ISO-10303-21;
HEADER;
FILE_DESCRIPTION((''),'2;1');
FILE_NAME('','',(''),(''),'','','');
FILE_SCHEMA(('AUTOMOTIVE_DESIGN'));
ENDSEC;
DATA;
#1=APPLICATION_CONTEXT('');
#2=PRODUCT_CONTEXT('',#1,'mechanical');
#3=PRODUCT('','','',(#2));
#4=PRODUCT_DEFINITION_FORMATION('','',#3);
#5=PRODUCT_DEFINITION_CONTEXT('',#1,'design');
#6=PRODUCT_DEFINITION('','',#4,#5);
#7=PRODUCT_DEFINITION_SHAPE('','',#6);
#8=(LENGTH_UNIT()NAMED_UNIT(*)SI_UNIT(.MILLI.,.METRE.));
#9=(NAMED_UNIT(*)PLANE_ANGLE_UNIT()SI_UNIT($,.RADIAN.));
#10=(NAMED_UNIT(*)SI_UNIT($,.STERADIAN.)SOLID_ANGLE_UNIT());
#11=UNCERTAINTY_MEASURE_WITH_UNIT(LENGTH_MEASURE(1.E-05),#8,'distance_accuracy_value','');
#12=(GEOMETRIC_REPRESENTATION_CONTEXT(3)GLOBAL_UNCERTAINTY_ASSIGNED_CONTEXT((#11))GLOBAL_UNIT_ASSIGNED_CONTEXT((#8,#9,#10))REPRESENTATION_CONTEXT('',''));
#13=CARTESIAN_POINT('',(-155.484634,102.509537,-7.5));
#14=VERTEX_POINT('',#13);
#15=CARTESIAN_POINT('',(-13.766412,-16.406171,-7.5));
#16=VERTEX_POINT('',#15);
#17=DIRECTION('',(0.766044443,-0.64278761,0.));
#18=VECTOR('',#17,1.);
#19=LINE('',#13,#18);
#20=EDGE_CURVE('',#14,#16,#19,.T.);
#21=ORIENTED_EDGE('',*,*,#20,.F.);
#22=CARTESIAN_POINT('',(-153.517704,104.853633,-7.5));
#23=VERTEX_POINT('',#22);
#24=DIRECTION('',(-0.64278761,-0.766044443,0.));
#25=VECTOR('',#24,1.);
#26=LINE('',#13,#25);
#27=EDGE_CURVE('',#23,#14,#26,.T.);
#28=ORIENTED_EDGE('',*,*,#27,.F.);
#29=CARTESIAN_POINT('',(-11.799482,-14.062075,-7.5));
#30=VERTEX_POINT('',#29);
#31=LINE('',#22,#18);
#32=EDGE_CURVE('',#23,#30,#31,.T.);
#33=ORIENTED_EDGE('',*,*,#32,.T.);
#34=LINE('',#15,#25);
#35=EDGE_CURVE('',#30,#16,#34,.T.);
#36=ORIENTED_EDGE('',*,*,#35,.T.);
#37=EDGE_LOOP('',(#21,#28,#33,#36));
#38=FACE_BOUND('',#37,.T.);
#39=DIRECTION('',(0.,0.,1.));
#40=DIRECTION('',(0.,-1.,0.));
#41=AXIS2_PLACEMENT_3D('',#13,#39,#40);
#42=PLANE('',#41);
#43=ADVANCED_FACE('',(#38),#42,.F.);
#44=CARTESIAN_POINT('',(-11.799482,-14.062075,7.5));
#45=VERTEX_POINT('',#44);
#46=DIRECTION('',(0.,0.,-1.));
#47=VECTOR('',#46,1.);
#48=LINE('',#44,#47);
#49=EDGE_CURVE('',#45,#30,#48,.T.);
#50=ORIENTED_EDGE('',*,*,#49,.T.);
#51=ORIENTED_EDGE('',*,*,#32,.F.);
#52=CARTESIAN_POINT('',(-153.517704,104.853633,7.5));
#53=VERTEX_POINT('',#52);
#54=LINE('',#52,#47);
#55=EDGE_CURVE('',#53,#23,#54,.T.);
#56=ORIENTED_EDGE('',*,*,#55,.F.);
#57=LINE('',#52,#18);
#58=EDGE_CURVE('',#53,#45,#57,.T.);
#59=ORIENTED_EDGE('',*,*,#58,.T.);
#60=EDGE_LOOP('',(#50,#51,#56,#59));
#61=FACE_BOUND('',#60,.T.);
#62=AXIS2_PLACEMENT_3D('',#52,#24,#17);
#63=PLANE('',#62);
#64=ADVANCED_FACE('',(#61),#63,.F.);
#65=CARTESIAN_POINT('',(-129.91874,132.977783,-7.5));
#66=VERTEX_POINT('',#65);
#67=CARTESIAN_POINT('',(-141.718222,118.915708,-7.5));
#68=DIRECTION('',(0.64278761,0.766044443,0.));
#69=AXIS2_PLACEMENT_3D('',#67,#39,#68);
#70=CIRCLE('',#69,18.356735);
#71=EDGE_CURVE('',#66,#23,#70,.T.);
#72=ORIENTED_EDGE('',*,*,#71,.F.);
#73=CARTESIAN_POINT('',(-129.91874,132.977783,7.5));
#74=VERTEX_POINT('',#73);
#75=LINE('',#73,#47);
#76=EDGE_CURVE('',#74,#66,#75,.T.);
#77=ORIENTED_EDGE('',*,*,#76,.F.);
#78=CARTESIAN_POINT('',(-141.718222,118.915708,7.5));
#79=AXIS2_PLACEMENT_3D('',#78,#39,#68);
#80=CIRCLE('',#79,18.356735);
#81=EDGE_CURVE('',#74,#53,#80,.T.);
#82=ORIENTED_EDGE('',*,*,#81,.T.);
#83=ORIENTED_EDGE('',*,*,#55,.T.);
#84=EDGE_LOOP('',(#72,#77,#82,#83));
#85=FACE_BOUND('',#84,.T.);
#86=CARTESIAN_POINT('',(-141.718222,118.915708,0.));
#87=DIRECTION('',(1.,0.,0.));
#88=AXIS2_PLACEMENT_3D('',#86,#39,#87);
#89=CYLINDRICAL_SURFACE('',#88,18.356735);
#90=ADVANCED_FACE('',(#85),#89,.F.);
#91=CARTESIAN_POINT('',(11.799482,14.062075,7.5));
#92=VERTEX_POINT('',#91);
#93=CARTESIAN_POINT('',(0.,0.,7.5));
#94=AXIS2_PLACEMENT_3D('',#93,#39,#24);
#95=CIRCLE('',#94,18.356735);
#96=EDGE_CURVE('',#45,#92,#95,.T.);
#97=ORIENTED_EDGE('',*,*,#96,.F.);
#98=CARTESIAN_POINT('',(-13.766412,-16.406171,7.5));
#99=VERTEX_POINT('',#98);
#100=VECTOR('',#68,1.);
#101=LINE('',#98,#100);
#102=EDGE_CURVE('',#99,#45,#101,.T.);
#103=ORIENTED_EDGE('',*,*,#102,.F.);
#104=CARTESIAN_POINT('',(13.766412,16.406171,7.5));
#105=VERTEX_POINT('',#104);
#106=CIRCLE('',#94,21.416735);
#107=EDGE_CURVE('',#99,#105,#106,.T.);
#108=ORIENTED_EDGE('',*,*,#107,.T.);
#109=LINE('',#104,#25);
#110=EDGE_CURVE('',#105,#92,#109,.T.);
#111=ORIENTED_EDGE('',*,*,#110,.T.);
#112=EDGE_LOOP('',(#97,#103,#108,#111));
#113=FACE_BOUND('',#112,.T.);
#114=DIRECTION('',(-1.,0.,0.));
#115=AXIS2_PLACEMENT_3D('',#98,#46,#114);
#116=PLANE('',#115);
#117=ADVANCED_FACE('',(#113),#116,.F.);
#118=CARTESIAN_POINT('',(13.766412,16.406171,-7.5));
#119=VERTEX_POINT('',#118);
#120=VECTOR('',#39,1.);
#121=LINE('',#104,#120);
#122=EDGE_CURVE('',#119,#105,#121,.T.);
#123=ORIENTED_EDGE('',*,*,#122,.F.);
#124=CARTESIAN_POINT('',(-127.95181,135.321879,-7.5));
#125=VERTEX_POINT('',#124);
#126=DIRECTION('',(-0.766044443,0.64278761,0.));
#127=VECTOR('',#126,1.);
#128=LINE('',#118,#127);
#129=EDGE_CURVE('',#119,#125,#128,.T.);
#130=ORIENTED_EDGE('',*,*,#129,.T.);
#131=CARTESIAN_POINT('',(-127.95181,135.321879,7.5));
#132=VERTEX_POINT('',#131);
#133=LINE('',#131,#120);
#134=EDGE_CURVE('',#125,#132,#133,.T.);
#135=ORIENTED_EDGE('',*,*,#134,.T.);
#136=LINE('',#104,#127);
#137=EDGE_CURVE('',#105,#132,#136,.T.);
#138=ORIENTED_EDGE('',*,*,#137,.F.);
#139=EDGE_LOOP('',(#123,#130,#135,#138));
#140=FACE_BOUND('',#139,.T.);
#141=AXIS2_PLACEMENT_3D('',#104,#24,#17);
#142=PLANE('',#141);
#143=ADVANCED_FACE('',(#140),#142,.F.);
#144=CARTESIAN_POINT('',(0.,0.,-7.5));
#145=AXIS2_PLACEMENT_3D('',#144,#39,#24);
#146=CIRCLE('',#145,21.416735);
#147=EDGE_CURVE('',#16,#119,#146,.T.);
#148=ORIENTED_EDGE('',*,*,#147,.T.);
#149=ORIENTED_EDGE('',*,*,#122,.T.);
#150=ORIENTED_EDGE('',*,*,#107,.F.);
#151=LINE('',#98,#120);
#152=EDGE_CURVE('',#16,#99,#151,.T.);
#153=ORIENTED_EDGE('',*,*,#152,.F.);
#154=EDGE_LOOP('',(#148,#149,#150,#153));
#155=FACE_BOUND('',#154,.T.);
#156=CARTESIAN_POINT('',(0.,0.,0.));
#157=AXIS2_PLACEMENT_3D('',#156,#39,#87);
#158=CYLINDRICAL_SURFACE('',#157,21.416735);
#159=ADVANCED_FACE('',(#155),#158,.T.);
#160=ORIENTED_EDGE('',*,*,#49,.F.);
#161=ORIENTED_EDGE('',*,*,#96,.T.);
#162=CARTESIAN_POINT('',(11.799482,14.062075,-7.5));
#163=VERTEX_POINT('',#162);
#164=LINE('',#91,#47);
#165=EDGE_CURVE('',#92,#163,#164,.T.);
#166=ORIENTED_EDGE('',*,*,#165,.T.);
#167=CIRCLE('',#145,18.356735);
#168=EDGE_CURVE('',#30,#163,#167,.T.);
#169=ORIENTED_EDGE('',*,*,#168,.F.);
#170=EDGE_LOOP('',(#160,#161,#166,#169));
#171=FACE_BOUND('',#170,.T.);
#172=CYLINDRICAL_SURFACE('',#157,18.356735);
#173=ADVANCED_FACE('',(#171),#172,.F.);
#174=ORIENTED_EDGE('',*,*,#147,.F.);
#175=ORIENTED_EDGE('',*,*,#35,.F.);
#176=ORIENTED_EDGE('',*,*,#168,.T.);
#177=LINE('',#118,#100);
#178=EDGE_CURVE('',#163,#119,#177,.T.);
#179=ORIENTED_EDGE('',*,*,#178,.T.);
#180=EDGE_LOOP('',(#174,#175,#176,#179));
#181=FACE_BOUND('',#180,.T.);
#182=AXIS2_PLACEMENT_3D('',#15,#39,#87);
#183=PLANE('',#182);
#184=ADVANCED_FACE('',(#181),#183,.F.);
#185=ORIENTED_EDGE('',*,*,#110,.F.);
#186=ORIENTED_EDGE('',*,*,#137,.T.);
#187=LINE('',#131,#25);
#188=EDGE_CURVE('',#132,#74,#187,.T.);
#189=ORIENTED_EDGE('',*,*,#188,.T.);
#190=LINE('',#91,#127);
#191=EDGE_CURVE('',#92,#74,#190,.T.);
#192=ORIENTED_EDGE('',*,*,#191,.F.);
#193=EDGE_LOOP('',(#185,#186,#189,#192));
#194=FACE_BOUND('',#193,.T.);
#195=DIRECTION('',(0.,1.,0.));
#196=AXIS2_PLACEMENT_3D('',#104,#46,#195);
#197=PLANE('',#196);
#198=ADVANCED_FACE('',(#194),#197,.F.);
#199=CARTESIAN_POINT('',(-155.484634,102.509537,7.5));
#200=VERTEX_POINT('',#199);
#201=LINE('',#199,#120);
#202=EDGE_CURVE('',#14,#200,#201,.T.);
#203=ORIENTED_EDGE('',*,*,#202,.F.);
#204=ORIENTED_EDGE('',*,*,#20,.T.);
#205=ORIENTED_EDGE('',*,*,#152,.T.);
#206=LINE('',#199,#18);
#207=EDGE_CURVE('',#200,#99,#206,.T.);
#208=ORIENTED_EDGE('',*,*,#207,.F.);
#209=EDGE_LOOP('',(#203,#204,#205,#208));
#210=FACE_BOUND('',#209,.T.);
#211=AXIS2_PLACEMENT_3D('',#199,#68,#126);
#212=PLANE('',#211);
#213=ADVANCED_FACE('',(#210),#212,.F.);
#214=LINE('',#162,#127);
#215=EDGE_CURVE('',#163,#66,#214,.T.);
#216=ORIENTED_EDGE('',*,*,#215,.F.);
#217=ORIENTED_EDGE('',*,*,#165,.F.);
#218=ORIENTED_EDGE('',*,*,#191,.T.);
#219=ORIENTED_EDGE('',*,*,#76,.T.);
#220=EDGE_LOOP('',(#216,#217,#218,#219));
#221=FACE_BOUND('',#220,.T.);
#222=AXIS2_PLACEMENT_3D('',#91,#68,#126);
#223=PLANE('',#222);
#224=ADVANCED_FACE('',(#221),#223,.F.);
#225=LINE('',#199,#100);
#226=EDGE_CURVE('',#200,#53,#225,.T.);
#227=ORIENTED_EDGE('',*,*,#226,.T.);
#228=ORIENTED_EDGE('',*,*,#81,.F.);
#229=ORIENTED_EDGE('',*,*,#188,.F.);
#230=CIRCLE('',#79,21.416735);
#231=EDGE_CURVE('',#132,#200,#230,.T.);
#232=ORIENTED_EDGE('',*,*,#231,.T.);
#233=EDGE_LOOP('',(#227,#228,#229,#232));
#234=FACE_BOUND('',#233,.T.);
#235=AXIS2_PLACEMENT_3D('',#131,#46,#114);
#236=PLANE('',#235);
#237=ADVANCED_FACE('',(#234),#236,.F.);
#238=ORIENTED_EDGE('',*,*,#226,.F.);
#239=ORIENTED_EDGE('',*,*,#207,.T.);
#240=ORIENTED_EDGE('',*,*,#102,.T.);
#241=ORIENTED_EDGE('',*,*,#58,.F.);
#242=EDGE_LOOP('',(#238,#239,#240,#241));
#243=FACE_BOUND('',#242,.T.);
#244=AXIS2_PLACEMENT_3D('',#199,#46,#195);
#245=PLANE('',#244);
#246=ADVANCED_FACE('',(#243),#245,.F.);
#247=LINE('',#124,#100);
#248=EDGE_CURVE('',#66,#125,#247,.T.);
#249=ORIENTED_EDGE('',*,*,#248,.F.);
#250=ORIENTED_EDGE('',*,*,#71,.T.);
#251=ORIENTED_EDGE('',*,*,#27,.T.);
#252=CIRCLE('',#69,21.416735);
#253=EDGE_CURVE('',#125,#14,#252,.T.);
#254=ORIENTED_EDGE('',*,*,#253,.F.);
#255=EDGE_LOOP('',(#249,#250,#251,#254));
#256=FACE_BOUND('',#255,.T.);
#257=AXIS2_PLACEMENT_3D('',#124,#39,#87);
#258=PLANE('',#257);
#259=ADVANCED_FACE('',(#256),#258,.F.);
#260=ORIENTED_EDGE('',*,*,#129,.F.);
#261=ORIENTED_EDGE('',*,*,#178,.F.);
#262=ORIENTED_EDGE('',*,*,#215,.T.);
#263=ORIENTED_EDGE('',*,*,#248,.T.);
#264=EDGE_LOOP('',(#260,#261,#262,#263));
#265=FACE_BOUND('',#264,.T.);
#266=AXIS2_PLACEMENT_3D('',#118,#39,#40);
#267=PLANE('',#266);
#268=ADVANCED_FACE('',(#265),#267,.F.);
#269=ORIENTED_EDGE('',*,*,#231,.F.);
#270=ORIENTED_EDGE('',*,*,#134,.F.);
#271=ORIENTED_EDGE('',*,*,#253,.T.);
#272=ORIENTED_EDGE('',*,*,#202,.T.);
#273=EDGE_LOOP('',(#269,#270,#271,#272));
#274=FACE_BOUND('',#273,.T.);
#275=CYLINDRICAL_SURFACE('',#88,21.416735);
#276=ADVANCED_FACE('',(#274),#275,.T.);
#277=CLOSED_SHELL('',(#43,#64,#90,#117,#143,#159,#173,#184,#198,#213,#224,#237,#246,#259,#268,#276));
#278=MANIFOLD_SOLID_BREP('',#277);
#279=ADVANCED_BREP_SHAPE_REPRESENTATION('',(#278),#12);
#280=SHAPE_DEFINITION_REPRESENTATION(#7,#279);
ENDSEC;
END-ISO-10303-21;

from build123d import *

# Parameters (mm, degrees)
SKETCH3_W = 15
SKETCH3_H = 3.06


with BuildPart() as part:
    # Sweep2: sweep along a path in Sketch2
    with BuildLine(Plane.XY) as sweep2_path:
        Line((-13.177145999, -15.703911084), (-154.895367976, 103.211796708))
        ThreePointArc((-154.895367976, 103.211796708), (-157.422133061, 132.092853791), (-128.541075978, 134.619618876))
        Line((-128.541075978, 134.619618876), (13.177145999, 15.703911084))
        ThreePointArc((13.177145999, 15.703911084), (15.703911084, -13.177145999), (-13.177145999, -15.703911084))
    # Sketch3 → Sweep2 (sweep)
    with BuildSketch(Plane(origin=(13.177145999, 15.703911084, 0), x_dir=(0, 0, -1), z_dir=(0.766044443118977, -0.6427876096865406, 0))):
        with Locations((0, -0.613265054)):
            Rectangle(SKETCH3_W, SKETCH3_H)
    sweep(path=sweep2_path.line)


solid = part.part
